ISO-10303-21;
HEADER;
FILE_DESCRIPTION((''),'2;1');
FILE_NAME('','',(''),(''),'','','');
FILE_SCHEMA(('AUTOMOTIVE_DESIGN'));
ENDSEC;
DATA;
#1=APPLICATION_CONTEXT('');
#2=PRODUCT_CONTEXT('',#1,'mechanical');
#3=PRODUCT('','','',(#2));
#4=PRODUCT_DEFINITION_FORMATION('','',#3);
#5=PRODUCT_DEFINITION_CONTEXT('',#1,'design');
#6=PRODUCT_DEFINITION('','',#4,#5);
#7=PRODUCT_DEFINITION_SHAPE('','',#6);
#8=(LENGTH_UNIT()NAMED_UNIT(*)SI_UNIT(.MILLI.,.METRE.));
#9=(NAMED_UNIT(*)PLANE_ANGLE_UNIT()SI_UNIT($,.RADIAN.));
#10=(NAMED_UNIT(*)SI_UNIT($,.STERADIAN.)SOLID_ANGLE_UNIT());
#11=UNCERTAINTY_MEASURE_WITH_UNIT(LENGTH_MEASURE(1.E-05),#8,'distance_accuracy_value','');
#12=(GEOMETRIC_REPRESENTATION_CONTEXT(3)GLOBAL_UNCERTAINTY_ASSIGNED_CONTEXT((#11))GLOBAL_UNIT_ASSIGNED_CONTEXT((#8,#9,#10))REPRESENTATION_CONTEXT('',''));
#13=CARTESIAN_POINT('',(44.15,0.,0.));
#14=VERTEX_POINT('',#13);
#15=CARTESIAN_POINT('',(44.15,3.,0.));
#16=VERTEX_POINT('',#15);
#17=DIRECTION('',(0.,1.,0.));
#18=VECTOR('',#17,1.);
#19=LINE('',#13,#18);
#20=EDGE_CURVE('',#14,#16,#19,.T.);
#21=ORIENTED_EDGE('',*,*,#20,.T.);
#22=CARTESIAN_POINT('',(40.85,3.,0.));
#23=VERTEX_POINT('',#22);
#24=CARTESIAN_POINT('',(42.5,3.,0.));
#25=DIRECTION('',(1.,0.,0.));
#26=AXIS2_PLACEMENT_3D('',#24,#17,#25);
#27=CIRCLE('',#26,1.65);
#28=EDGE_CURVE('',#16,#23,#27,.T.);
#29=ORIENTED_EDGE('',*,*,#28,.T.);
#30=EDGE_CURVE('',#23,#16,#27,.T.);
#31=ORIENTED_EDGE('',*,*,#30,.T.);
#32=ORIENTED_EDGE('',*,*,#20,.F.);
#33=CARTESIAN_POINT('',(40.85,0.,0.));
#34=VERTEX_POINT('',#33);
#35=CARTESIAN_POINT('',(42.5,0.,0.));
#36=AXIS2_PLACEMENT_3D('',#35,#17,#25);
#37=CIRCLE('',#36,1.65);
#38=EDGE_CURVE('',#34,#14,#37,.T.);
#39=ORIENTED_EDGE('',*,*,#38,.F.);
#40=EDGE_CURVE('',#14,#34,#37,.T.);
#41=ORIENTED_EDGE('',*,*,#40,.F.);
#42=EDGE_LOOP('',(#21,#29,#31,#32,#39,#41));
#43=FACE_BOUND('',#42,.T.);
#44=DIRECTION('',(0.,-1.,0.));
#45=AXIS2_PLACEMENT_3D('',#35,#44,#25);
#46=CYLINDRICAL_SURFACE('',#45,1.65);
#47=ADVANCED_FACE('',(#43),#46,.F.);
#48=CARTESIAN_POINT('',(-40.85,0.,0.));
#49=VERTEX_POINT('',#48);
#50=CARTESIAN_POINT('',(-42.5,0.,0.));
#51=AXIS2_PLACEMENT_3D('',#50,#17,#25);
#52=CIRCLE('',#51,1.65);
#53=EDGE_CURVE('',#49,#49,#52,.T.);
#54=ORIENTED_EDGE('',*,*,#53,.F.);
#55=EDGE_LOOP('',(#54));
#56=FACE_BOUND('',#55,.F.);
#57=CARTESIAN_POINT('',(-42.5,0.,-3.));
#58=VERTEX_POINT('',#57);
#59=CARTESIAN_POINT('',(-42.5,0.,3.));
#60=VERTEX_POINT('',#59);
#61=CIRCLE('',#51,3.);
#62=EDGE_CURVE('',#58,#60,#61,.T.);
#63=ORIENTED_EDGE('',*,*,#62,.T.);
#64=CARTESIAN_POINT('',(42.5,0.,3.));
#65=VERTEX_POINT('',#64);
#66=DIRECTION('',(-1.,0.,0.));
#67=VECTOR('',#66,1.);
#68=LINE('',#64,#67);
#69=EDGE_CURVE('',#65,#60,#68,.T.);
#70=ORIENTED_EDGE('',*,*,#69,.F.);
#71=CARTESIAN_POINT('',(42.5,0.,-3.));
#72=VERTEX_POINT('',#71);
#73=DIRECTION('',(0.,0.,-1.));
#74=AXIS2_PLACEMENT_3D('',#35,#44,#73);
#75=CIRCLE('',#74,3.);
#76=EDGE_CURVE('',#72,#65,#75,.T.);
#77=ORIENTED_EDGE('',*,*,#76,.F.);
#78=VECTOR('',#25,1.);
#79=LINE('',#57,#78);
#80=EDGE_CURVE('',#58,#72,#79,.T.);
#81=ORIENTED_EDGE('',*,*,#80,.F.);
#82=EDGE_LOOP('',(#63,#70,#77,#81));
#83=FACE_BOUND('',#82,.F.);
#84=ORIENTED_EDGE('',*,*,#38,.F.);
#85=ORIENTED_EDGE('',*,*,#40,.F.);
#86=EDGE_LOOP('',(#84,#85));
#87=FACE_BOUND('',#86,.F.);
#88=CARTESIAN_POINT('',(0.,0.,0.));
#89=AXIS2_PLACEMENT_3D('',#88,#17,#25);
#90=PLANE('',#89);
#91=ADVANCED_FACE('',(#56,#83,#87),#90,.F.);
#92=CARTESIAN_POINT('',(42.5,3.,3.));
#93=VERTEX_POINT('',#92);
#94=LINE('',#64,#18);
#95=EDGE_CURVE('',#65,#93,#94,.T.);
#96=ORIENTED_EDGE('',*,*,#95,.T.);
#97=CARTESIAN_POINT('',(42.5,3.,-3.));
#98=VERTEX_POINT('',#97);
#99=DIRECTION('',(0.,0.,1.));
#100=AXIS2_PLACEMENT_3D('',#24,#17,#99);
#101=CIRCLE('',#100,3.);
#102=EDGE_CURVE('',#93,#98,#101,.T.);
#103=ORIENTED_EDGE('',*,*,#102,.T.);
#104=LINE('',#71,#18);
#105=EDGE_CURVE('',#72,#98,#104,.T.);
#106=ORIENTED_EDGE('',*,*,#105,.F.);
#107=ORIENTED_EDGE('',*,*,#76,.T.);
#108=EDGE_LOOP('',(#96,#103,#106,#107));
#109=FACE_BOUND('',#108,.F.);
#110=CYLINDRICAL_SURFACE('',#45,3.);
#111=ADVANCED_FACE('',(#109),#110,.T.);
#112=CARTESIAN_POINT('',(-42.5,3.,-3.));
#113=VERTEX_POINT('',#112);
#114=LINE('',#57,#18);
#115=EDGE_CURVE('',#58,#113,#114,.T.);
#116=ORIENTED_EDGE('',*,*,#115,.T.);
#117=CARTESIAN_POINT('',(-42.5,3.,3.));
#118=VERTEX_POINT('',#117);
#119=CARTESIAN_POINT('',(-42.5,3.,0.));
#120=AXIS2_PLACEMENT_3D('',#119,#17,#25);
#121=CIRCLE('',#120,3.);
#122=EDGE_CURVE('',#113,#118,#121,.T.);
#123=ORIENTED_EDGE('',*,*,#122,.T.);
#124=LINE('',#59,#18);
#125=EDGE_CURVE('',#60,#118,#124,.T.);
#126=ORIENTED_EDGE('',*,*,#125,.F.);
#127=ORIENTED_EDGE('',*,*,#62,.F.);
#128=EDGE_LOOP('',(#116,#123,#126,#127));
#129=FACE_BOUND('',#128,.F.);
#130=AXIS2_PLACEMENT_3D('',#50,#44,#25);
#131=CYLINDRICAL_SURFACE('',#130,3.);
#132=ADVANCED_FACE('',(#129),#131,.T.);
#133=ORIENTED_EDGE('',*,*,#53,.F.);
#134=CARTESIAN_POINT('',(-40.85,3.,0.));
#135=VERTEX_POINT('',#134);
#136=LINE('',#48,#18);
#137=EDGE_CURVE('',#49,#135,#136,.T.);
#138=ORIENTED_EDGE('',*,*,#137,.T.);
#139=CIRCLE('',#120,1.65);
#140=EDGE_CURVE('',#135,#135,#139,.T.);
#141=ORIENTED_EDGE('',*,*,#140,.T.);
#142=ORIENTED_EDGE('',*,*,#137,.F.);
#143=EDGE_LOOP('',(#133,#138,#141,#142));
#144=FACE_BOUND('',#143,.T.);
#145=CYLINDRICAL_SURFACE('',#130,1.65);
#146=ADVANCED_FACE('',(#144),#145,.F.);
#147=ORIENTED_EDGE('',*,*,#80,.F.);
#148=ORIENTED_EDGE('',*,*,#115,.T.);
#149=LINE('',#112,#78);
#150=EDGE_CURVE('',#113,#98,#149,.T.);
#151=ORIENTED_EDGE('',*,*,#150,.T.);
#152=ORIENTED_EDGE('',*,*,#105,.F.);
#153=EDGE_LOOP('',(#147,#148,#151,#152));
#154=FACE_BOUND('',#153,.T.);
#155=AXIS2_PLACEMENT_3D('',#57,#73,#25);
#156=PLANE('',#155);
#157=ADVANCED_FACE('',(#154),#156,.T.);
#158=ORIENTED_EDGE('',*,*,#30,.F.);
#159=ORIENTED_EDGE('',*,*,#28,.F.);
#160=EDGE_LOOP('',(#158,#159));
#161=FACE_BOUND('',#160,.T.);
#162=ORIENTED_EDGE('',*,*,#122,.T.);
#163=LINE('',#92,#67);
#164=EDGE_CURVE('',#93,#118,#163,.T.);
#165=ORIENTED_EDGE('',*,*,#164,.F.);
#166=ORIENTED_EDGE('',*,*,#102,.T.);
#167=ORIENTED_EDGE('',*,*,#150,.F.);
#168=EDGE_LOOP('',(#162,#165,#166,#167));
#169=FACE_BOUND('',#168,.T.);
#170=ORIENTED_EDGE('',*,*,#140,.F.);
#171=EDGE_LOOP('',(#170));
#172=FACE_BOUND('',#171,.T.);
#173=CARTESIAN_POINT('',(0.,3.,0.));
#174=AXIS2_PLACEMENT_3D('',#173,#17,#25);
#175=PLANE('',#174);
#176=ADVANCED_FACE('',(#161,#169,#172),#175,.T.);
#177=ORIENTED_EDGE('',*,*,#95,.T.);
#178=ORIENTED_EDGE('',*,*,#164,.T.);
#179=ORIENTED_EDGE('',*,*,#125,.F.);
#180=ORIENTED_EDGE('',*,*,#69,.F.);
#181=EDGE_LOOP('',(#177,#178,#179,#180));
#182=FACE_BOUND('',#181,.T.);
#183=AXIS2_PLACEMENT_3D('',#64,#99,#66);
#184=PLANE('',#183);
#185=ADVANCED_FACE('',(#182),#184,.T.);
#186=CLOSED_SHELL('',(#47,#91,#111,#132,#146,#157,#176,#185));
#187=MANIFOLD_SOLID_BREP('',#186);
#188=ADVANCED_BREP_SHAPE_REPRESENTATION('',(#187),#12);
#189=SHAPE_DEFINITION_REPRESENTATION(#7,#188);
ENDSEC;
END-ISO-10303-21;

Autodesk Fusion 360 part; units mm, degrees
sketch "Sketch1" plane through (0, 0, 0) normal (0, 1, 0) x (1, 0, 0)
  line L0 (-42.5, 0) -> (42.5, 0)
  line L1 (-42.5, 3) -> (42.5, 3)
  line L2 (42.5, -3) -> (-42.5, -3)
  circle A0 centre (-42.5, 0) radius 1.65
  circle A1 centre (-42.5, 0) radius 3
  circle A2 centre (42.5, 0) radius 3
  circle A3 centre (42.5, 0) radius 1.65
  dimension "d1" = 85
  dimension "d8" = 3.3
  dimension "d9" = 6
  dimension "d10" = 3.3
extrude "Extrude1" add sketch "Sketch1" along normal blind 3
